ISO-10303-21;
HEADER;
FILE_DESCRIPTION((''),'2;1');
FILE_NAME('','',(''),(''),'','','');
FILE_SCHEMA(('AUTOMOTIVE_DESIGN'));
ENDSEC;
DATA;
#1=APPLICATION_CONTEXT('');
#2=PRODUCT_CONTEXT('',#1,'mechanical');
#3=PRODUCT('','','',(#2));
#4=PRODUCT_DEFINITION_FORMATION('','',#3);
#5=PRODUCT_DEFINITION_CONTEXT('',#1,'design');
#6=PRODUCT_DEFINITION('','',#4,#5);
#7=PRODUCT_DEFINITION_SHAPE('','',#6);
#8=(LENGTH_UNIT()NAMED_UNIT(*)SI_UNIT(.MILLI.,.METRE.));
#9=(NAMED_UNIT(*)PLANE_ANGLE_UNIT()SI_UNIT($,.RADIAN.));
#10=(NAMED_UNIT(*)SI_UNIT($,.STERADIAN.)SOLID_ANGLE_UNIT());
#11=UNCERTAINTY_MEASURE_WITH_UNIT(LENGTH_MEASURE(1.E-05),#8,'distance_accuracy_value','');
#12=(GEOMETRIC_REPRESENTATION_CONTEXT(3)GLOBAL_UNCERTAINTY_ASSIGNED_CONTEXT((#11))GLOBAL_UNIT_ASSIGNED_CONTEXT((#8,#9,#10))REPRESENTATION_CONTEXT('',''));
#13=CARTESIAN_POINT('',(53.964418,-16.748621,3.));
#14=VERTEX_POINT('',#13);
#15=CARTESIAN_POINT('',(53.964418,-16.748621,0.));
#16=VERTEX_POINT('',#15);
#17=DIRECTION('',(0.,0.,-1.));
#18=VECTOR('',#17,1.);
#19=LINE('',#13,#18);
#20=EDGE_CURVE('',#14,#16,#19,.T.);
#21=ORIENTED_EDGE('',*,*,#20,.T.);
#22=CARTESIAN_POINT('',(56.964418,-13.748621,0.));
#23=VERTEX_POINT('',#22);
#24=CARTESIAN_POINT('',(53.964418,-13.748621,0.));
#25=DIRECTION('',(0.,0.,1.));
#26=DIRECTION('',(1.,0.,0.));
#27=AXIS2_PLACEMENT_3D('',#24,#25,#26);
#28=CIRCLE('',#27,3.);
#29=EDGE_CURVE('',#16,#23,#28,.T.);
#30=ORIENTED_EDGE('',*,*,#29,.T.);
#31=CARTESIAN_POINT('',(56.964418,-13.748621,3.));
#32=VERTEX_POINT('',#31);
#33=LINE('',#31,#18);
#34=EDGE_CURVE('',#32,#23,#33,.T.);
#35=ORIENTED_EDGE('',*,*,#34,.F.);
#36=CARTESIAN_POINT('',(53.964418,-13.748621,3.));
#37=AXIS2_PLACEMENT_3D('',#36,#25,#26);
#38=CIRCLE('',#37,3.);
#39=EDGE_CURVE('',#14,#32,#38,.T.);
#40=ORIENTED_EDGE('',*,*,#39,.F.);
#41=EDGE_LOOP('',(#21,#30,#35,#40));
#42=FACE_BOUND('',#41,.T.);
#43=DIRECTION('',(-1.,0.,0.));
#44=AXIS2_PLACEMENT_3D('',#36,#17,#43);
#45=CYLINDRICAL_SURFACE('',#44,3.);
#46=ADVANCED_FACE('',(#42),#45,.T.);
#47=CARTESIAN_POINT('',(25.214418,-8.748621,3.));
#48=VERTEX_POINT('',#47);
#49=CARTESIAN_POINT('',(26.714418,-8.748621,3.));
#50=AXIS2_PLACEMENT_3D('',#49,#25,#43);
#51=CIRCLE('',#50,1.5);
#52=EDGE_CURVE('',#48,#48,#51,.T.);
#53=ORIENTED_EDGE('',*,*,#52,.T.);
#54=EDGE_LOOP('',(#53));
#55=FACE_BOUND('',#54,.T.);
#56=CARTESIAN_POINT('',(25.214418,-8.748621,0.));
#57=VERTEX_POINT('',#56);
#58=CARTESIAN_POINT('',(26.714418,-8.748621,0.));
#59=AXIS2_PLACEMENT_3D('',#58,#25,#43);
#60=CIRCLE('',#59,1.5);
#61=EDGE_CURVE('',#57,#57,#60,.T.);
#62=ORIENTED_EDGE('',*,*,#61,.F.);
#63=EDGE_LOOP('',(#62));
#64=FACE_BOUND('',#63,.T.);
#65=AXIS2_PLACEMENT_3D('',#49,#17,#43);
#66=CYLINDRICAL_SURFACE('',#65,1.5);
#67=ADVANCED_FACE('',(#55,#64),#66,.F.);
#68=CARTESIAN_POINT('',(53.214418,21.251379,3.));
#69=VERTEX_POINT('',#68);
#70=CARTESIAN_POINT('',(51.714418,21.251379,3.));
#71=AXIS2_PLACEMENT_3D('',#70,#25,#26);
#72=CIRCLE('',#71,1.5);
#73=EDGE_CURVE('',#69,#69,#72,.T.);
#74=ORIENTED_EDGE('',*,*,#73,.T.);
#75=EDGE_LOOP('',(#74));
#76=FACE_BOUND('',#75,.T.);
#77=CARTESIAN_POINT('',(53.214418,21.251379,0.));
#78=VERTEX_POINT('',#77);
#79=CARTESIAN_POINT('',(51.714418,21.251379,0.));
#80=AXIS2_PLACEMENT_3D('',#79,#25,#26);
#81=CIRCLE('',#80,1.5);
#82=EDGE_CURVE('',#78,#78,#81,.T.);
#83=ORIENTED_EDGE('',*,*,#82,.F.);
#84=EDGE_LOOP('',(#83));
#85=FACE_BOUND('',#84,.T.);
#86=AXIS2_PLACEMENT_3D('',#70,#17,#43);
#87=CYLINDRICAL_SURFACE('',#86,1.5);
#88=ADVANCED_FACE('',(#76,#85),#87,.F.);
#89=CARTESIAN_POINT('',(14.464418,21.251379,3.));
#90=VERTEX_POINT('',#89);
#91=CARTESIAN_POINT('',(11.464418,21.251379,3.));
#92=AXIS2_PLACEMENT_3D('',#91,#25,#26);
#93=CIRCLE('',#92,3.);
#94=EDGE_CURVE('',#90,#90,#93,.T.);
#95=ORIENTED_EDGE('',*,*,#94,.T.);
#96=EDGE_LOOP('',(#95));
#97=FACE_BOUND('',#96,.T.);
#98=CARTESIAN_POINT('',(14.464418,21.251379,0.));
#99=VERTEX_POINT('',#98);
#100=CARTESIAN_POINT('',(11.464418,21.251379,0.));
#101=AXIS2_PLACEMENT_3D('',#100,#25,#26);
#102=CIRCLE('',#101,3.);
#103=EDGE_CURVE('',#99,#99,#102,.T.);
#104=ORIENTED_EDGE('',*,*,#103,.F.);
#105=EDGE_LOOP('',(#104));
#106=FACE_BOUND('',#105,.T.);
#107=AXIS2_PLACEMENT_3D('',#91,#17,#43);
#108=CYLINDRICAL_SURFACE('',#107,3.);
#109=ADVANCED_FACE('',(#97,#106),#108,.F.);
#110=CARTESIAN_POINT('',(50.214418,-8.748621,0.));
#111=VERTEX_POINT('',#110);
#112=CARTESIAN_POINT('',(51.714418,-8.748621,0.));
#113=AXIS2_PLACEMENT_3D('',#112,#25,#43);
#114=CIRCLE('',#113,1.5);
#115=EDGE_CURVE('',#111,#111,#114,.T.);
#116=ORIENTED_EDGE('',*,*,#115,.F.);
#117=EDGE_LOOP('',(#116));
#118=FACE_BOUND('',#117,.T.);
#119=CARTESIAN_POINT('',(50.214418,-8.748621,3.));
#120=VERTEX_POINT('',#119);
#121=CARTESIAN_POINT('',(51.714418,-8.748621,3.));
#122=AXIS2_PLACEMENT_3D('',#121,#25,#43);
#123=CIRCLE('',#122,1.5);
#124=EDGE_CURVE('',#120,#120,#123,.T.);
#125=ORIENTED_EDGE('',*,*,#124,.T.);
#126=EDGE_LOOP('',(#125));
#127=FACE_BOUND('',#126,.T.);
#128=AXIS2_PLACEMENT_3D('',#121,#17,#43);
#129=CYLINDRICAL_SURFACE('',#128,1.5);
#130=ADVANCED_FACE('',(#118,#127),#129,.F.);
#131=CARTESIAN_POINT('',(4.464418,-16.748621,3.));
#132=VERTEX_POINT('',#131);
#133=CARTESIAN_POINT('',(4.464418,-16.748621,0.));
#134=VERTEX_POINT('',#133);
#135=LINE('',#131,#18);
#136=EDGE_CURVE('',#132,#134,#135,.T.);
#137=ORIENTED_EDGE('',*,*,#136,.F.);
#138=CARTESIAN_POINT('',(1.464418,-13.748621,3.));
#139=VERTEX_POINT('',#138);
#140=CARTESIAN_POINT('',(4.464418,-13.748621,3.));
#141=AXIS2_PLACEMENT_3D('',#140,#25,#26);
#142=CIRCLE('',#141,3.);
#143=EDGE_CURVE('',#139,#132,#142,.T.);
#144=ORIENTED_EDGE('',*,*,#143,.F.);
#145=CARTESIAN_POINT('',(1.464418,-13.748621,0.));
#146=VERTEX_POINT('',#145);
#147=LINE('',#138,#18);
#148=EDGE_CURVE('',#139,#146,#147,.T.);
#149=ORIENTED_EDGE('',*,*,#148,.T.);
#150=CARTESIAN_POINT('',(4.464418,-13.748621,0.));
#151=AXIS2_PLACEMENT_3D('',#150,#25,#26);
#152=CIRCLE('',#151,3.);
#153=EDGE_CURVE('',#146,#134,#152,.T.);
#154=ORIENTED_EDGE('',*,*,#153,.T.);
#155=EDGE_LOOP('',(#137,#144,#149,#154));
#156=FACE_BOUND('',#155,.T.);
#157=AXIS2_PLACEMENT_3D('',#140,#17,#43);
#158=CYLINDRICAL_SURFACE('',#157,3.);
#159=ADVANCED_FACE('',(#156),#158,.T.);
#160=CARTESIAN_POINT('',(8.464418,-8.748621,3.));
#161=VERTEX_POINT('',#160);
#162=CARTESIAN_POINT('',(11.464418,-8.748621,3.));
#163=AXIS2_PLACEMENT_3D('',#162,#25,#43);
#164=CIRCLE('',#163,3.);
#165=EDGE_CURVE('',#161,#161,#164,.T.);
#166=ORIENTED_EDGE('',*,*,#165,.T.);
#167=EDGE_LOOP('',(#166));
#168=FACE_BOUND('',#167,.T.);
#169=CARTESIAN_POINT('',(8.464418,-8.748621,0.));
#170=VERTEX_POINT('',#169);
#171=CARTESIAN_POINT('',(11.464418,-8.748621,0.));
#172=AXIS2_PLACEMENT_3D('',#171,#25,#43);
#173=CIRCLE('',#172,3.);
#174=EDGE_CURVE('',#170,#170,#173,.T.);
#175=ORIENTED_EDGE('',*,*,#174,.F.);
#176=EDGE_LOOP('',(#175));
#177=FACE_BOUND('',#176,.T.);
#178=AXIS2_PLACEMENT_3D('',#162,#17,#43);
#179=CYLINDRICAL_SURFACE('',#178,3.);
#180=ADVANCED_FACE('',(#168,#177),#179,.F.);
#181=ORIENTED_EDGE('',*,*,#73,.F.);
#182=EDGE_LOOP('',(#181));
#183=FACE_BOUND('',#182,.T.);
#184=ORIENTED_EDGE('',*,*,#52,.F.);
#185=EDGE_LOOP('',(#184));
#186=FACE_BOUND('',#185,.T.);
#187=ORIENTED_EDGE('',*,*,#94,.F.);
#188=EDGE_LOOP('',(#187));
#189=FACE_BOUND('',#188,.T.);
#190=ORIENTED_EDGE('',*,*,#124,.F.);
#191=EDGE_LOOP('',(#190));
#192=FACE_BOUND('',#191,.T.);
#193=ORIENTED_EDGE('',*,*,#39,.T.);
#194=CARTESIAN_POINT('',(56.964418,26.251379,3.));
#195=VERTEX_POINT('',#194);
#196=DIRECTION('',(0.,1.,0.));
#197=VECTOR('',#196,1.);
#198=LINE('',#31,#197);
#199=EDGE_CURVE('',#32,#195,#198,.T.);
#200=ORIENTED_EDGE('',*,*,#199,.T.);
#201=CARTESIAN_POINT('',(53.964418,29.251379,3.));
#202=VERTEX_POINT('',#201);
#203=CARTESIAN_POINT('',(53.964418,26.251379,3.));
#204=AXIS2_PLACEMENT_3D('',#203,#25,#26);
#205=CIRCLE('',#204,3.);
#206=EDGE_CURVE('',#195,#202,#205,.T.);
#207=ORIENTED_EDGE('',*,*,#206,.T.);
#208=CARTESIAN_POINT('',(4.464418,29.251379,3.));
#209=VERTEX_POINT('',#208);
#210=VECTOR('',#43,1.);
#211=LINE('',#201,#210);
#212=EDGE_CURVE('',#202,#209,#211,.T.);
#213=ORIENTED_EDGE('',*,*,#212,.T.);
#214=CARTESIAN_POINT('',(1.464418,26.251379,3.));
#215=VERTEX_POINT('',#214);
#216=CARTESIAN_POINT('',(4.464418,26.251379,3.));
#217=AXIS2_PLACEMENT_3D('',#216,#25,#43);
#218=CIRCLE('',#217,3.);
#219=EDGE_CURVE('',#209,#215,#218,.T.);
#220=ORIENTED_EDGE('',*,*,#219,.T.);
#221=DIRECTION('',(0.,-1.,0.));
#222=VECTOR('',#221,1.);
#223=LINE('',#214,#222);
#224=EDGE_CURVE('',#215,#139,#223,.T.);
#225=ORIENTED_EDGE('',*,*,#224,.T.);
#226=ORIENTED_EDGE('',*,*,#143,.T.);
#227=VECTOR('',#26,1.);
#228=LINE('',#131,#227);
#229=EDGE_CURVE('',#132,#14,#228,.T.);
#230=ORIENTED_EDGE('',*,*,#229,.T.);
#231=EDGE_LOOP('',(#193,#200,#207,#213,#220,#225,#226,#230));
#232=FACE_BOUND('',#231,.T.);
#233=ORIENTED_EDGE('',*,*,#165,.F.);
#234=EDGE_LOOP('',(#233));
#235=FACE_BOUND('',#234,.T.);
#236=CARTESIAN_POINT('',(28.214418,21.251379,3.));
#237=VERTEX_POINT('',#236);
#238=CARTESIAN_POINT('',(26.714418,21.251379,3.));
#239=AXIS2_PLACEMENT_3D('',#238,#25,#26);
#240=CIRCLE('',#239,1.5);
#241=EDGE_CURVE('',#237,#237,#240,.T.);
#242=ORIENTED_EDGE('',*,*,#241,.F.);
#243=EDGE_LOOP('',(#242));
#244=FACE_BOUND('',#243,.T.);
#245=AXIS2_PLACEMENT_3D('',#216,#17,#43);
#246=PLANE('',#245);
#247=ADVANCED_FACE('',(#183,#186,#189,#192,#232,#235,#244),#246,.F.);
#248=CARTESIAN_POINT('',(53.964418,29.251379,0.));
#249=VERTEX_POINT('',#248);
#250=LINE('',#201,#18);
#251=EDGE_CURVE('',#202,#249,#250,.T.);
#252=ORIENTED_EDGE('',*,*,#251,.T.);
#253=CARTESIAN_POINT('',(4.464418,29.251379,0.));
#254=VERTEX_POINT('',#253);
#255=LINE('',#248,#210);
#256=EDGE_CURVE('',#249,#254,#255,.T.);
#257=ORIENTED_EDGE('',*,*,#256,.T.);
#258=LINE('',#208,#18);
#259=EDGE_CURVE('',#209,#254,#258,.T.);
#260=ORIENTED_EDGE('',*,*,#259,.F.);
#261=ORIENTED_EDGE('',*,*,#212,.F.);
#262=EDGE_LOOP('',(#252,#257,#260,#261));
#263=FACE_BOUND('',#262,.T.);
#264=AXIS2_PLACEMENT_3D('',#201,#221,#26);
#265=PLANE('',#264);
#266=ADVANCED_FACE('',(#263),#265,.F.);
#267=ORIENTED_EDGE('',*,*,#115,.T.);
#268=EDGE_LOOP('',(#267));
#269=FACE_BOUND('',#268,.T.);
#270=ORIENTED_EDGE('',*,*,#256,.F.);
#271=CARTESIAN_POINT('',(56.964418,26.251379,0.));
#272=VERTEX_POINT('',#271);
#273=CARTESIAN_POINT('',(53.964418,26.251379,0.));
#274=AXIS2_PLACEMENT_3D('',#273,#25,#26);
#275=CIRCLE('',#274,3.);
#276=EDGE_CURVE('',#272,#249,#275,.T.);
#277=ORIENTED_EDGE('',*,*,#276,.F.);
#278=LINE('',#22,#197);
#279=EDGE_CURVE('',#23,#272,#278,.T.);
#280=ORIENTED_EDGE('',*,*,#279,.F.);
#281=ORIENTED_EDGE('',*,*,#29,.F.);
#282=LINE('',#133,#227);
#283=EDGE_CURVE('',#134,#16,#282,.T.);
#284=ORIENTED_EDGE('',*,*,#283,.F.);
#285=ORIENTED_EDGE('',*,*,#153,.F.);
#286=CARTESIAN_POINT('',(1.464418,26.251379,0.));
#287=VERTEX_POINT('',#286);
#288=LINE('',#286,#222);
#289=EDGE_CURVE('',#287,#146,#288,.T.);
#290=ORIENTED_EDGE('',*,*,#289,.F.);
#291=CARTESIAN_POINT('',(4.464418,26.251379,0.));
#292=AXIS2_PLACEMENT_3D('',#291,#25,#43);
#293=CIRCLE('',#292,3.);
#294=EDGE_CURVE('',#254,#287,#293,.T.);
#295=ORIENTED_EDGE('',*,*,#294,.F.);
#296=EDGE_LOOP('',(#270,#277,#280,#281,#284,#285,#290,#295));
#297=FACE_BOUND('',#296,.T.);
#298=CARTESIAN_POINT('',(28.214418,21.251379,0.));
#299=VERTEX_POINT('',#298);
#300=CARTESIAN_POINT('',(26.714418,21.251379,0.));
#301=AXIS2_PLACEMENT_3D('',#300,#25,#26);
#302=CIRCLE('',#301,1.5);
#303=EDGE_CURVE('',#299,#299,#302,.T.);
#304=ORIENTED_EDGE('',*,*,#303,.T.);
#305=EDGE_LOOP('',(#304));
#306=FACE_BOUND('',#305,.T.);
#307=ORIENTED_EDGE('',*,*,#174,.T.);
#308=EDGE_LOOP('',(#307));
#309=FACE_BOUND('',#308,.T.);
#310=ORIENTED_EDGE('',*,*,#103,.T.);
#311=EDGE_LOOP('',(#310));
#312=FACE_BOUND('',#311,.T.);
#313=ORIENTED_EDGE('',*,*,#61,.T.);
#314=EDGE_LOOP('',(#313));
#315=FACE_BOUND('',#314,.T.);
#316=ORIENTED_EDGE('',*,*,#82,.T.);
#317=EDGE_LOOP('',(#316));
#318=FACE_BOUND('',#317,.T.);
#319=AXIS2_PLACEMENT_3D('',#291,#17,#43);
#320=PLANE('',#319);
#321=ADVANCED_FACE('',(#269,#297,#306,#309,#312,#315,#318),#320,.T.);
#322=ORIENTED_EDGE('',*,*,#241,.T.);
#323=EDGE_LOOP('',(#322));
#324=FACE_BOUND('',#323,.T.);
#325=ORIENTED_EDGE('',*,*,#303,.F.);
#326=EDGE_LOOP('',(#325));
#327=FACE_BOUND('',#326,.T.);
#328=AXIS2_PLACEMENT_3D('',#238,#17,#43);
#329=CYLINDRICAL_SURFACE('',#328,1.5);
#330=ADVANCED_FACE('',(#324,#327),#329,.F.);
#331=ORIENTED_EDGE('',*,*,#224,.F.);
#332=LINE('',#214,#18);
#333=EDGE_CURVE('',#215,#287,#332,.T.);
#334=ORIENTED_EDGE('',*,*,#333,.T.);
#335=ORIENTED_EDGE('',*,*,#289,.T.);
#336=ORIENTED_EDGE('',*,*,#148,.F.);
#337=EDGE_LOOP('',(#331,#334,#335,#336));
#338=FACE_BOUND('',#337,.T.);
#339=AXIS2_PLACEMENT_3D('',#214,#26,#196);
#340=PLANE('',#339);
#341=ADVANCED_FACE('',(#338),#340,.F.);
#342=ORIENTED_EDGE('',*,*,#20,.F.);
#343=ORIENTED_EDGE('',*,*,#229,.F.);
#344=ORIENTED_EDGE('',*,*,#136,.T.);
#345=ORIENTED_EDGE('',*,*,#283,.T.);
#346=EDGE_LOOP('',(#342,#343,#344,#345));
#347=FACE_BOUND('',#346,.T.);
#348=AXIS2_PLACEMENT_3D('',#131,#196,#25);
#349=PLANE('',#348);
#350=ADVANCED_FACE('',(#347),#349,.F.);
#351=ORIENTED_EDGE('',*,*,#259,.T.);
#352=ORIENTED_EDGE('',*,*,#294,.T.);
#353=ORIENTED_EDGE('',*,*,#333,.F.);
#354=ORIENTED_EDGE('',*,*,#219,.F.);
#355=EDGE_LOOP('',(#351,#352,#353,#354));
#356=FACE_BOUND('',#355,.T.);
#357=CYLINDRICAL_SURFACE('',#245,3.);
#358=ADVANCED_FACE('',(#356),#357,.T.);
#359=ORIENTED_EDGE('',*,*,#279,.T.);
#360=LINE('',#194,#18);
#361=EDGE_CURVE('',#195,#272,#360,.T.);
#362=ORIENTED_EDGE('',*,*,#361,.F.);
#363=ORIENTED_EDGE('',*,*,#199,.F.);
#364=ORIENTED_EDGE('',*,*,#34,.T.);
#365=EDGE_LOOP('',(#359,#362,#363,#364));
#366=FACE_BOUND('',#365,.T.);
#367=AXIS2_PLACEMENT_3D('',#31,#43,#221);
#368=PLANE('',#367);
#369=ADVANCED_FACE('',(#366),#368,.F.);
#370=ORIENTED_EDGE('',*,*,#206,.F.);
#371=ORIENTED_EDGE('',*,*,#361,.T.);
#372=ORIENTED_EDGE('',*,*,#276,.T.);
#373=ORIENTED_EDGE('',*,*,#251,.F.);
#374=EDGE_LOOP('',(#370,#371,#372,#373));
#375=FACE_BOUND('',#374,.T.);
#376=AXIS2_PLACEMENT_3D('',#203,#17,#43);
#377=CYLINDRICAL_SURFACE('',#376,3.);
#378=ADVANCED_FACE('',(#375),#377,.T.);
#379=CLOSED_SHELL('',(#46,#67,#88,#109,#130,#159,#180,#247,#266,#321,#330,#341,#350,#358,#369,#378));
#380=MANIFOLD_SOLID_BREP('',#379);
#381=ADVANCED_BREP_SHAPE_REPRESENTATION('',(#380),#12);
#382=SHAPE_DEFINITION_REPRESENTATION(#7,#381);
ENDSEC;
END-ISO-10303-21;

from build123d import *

# Parameters (mm, degrees)
SKETCH_1_R      = 1.5
SKETCH_1_R_2    = 3
EXTRUDE_1_DEPTH = 3


with BuildPart() as part:
    # 草图1 → 凸台-拉伸1 (new body)
    with BuildSketch(Plane.XY):
        with BuildLine():
            Line((56.964417519, -13.748620871), (56.964417519, 26.251379129))
            ThreePointArc((56.964417519, 26.251379129), (56.085737863, 28.372699472), (53.964417519, 29.251379129))
            Line((53.964417519, 29.251379129), (4.464417519, 29.251379129))
            ThreePointArc((4.464417519, 29.251379129), (2.343097176, 28.372699472), (1.464417519, 26.251379129))
            Line((1.464417519, 26.251379129), (1.464417519, -13.748620871))
            ThreePointArc((1.464417519, -13.748620871), (2.343097176, -15.869941215), (4.464417519, -16.748620871))
            Line((4.464417519, -16.748620871), (53.964417519, -16.748620871))
            ThreePointArc((53.964417519, -16.748620871), (56.085737863, -15.869941215), (56.964417519, -13.748620871))
        make_face()
        with Locations((51.714417519, 21.251379129)):
            Circle(SKETCH_1_R, mode=Mode.SUBTRACT)
        with Locations((26.714417519, 21.251379129)):
            Circle(SKETCH_1_R, mode=Mode.SUBTRACT)
        with Locations(Location((26.714417519, -8.748620871, 0), (0, 0, 180))):
            Circle(SKETCH_1_R, mode=Mode.SUBTRACT)
        with Locations(Location((51.714417519, -8.748620871, 0), (0, 0, 180))):
            Circle(SKETCH_1_R, mode=Mode.SUBTRACT)
        with Locations((11.464417519, 21.251379129)):
            Circle(SKETCH_1_R_2, mode=Mode.SUBTRACT)
        with Locations(Location((11.464417519, -8.748620871, 0), (0, 0, 180))):
            Circle(SKETCH_1_R_2, mode=Mode.SUBTRACT)
    extrude(amount=EXTRUDE_1_DEPTH)


solid = part.part
